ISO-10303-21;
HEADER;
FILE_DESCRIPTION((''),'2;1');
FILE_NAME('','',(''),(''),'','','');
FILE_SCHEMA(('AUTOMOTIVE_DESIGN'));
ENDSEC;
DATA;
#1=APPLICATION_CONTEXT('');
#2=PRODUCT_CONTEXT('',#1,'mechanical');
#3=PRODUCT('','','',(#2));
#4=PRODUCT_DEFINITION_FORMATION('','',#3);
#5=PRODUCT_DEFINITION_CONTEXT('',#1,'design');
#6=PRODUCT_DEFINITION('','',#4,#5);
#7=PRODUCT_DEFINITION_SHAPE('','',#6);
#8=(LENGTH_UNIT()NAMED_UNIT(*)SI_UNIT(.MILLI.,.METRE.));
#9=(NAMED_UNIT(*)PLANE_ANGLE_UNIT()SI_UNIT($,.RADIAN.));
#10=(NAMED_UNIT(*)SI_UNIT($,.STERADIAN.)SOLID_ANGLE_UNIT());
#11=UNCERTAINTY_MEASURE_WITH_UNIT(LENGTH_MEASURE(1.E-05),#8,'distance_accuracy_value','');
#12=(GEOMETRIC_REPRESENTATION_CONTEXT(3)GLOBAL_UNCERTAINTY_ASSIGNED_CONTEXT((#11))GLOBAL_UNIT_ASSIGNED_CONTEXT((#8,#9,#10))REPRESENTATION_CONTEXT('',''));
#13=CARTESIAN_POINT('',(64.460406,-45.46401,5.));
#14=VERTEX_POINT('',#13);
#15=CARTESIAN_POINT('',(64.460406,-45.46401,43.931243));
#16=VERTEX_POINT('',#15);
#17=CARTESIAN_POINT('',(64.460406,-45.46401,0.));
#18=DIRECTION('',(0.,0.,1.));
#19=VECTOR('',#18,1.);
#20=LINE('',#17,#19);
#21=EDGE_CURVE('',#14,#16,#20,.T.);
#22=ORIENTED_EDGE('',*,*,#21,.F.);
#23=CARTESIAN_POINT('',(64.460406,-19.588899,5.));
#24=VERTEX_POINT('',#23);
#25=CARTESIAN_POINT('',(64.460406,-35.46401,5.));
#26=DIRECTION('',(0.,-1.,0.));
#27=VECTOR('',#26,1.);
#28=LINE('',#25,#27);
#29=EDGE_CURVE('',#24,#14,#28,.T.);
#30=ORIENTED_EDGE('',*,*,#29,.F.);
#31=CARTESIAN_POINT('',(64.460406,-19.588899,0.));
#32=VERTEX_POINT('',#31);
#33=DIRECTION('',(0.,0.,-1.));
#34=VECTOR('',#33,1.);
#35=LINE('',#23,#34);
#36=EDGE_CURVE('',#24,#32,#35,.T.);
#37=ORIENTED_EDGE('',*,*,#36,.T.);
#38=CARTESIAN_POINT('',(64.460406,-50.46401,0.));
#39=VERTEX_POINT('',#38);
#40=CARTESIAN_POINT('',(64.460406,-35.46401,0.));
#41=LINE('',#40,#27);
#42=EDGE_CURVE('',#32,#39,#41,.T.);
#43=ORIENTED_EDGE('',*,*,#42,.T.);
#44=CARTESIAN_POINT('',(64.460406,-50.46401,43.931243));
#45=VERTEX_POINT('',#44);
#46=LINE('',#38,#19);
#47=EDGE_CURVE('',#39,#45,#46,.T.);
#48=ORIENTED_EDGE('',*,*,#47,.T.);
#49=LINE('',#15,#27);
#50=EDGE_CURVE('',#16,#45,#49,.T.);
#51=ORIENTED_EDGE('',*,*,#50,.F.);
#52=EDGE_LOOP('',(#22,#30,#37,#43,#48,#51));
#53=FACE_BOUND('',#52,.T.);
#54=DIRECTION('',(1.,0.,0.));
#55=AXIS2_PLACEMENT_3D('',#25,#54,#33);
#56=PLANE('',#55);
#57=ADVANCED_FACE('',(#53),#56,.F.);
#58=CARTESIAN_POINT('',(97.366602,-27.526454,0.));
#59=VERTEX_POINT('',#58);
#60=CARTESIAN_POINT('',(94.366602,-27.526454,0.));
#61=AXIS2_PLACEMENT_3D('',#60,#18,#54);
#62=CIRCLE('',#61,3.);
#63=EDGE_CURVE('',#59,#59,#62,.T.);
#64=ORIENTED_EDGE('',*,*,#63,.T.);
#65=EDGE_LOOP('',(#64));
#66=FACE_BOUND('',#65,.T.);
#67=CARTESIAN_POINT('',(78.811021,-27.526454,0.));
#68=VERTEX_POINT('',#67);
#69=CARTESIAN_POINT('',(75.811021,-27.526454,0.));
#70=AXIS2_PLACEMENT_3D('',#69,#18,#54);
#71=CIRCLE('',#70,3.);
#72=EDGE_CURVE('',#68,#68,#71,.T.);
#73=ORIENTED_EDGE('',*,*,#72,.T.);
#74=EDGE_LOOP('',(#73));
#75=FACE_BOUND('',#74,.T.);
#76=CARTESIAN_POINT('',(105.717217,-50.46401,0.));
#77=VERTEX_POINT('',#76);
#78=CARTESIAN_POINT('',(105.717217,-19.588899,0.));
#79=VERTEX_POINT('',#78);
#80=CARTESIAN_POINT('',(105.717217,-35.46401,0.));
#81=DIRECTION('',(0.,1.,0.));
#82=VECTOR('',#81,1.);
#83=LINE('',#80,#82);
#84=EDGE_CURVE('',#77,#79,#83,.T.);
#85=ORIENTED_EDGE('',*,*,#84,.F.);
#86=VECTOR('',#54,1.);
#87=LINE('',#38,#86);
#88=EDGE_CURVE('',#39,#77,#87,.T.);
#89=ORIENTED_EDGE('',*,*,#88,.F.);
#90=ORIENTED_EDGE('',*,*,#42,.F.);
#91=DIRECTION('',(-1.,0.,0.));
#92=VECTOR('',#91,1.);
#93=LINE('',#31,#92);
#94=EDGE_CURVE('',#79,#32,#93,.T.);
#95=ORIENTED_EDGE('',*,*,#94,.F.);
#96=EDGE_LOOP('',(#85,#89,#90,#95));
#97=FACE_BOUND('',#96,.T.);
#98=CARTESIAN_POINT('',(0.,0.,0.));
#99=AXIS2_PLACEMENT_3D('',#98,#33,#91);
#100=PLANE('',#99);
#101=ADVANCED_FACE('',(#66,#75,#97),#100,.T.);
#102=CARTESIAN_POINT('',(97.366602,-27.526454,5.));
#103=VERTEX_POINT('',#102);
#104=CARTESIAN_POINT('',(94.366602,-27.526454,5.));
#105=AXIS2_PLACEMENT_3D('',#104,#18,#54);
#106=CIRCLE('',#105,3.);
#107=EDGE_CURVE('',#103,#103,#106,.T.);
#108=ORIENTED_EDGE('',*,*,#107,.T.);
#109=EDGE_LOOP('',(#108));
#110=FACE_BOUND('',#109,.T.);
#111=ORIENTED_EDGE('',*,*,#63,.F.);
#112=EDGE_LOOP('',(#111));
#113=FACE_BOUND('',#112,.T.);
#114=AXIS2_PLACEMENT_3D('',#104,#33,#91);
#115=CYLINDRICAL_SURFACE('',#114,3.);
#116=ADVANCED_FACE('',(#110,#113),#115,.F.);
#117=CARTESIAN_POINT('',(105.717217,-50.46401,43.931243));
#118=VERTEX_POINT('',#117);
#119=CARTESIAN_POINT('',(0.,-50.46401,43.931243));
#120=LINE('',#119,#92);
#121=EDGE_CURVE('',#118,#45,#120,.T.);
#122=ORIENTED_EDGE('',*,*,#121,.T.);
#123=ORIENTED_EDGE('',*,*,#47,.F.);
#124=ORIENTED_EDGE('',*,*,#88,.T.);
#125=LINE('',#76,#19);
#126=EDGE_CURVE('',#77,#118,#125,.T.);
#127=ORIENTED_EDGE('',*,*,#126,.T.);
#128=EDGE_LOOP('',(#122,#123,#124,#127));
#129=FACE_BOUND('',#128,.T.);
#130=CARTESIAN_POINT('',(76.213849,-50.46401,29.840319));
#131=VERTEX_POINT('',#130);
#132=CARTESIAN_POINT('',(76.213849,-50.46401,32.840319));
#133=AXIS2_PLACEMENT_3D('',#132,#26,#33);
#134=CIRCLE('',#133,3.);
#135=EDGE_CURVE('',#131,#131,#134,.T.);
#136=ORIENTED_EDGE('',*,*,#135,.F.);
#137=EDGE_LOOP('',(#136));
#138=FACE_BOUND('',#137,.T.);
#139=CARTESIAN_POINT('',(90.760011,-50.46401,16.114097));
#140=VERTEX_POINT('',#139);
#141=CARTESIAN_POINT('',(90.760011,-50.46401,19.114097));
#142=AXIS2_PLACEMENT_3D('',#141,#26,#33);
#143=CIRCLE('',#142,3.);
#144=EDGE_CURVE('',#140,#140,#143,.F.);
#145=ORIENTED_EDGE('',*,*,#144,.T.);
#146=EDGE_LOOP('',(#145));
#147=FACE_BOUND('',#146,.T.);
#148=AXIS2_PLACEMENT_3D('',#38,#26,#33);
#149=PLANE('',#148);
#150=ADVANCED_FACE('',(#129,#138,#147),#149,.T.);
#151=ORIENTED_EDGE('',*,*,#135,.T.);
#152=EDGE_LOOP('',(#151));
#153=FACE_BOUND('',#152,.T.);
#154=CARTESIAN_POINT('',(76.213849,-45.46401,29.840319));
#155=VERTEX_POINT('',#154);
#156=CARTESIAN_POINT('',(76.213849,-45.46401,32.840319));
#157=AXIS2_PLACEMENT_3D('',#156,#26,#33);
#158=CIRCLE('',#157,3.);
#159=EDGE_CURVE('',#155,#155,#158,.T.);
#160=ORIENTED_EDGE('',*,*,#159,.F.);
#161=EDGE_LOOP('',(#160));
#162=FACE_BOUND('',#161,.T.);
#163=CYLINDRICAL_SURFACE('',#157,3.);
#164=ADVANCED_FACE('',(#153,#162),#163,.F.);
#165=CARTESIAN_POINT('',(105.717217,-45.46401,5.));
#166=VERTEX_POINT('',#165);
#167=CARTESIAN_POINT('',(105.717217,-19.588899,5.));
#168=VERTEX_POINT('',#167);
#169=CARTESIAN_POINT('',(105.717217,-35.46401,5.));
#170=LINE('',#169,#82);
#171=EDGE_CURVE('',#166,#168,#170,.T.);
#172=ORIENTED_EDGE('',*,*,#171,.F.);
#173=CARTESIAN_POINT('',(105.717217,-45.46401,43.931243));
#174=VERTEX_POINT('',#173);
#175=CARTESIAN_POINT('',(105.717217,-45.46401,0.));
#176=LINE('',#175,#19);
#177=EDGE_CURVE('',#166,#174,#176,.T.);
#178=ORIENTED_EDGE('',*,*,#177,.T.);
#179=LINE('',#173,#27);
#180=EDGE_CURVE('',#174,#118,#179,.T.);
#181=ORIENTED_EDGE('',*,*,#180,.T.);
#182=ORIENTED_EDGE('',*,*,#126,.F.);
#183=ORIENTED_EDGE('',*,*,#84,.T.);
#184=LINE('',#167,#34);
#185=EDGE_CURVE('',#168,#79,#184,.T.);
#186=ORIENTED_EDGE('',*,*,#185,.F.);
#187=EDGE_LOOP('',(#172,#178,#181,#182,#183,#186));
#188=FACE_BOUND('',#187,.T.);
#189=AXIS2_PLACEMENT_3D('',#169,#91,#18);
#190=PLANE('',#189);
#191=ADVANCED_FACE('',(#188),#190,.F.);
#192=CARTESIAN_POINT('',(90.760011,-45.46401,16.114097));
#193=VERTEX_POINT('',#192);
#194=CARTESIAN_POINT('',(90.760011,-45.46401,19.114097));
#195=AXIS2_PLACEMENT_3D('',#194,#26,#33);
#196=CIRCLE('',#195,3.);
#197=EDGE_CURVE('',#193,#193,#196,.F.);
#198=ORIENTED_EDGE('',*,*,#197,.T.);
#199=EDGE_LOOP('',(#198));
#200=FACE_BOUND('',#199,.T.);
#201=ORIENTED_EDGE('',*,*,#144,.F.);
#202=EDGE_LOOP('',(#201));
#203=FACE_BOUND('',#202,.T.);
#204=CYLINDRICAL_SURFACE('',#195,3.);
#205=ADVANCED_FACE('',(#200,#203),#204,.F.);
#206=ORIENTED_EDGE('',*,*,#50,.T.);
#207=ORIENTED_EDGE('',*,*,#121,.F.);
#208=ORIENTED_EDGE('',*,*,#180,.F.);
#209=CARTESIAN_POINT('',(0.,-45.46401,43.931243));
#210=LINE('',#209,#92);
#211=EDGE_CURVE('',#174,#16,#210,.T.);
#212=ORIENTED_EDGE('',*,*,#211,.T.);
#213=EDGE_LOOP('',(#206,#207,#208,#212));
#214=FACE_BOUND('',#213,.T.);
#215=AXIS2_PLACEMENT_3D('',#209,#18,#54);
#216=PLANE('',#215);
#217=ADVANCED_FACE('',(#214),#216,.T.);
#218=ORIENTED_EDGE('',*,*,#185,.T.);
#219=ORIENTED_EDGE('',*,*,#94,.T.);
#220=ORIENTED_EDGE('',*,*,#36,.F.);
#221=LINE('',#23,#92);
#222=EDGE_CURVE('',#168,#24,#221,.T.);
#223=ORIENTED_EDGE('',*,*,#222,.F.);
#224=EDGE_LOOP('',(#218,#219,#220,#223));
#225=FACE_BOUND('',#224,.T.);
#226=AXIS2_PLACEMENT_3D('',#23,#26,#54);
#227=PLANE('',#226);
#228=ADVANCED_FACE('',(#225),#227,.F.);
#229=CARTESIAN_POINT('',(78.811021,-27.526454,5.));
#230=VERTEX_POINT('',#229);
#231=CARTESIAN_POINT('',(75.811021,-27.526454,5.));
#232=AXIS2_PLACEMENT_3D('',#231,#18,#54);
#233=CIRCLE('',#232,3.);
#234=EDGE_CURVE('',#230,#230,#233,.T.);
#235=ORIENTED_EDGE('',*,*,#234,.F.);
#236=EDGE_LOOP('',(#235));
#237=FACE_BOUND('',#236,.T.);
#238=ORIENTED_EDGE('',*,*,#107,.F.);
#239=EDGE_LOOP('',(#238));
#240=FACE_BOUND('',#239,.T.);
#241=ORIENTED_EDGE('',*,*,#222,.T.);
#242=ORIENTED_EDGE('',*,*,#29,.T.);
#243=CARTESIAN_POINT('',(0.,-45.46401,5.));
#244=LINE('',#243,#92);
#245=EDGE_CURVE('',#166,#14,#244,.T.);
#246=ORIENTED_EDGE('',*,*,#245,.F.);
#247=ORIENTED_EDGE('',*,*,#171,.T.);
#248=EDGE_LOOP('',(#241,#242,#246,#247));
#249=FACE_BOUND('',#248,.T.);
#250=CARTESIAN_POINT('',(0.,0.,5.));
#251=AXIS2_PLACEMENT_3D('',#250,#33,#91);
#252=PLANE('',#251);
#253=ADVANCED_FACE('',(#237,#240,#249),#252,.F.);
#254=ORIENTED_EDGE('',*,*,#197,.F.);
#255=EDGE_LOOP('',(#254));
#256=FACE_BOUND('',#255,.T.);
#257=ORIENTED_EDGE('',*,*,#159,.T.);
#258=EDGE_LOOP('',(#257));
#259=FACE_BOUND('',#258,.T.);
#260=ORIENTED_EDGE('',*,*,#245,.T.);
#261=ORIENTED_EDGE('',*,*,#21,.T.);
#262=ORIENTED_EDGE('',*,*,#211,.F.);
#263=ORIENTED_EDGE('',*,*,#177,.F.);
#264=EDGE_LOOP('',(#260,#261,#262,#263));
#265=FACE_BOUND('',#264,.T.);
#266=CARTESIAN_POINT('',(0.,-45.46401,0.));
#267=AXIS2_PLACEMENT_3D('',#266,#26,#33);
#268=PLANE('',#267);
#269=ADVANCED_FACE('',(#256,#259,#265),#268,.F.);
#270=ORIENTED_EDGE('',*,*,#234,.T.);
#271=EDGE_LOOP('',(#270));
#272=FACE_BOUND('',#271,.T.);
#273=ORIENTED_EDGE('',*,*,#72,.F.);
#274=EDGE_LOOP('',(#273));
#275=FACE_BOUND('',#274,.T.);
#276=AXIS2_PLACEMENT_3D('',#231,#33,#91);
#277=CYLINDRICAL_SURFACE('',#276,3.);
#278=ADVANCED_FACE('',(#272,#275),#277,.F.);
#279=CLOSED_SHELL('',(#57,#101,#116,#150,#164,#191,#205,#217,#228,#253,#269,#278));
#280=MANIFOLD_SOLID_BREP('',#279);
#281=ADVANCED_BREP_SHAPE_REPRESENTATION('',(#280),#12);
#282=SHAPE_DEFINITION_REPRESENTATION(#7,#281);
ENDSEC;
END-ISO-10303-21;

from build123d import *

# Parameters (mm, degrees)
SKETCH1_W           = 41.256811376
SKETCH1_H           = 15.875111739
SKETCH1_R           = 3
BOSS_EXTRUDE1_DEPTH = 5
SKETCH2_W           = 41.256811376
SKETCH2_H           = 15
BOSS_EXTRUDE3_DEPTH = 5
SKETCH3_W           = 41.256811376
SKETCH3_H           = 38.931242613
SKETCH3_R           = 3
BOSS_EXTRUDE5_DEPTH = 5


with BuildPart() as part:
    # Sketch1 → Boss-Extrude1 (new body)
    with BuildSketch(Plane.XY):
        with Locations((85.088811215, -27.526454456)):
            Rectangle(SKETCH1_W, SKETCH1_H)
        with Locations((94.366601686, -27.526454455)):
            Circle(SKETCH1_R, mode=Mode.SUBTRACT)
        with Locations((75.811020744, -27.526454455)):
            Circle(SKETCH1_R, mode=Mode.SUBTRACT)
    extrude(amount=BOSS_EXTRUDE1_DEPTH)

    # Sketch2 → Boss-Extrude3 (add)
    with BuildSketch(Plane.XY.offset(5)):
        with Locations((85.088811215, -42.964010325)):
            Rectangle(SKETCH2_W, SKETCH2_H)
    extrude(amount=-BOSS_EXTRUDE3_DEPTH)

    # Sketch3 → Boss-Extrude5 (add)
    with BuildSketch(Plane.XZ.offset(50.464010325)):
        with Locations((85.088811215, 24.465621307)):
            Rectangle(SKETCH3_W, SKETCH3_H)
        with Locations(Location((76.213848726, 32.840318874, 0), (0, 0, 270))):
            Circle(SKETCH3_R, mode=Mode.SUBTRACT)
        with Locations(Location((90.760010617, 19.114096734, 0), (0, 0, 270))):
            Circle(SKETCH3_R, mode=Mode.SUBTRACT)
    extrude(amount=-BOSS_EXTRUDE5_DEPTH)


solid = part.part
